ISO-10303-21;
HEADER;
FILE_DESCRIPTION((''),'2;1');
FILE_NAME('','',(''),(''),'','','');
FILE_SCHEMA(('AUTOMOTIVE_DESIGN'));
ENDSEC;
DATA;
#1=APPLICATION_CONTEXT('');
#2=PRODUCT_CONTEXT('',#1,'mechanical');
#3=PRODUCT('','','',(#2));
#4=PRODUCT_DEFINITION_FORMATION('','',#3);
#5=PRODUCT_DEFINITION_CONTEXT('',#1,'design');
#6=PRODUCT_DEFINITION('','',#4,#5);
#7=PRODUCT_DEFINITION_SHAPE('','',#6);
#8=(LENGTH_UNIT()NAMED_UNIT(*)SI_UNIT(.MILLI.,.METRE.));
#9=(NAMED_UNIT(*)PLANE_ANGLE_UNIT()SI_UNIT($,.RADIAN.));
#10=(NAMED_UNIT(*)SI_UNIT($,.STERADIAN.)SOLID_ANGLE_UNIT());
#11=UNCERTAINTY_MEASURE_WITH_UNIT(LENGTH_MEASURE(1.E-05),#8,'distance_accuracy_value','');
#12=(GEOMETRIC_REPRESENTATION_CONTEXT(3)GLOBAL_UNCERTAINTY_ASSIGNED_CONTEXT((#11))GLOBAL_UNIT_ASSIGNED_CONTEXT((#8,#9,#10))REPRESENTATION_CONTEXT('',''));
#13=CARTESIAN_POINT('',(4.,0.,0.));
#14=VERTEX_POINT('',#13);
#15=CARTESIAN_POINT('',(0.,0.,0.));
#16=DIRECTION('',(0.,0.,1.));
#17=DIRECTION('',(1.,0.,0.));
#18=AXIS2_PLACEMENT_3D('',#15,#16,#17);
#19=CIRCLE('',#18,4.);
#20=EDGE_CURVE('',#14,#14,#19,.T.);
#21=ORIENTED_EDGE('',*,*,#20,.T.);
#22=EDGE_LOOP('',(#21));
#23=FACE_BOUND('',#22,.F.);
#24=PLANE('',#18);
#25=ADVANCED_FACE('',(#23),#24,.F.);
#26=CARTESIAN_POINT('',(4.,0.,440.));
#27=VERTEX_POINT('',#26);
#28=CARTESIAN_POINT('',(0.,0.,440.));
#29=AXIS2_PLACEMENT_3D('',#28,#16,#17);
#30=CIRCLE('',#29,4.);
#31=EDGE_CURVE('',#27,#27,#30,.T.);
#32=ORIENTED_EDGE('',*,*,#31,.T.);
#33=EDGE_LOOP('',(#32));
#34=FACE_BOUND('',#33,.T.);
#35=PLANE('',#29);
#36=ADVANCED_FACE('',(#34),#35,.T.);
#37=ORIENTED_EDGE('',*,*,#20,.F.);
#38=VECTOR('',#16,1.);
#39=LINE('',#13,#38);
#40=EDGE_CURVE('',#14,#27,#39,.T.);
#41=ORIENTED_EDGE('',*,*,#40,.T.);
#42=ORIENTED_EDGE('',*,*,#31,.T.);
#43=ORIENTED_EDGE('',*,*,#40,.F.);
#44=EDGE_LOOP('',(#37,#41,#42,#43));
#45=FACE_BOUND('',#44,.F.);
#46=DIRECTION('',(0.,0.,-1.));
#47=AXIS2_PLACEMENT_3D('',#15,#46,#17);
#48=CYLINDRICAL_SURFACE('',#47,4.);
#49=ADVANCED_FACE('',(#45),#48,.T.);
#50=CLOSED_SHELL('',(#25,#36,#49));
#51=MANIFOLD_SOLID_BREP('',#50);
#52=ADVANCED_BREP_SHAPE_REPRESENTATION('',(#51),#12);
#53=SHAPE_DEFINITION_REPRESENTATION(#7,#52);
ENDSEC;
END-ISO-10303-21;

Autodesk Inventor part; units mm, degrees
ref_plane "YZ Plane" through (0, 0, 0) normal (1, 0, 0) x (0, 1, 0)
ref_plane "XZ Plane" through (0, 0, 0) normal (0, 1, 0) x (-1, 0, 0)
ref_plane "XY Plane" through (0, 0, 0) normal (0, 0, 1) x (1, 0, 0)
sketch "Esboço1" plane through (0, 0, 0) normal (0, 0, 1) x (1, 0, 0)
  circle A0 centre (0, 0) radius 4
  dimension "d0" = 8
extrude "Extrusão1" add sketch "Esboço1" along normal blind 440
properties part number "Guia Linear 480mm" material "Aço, carbono"
